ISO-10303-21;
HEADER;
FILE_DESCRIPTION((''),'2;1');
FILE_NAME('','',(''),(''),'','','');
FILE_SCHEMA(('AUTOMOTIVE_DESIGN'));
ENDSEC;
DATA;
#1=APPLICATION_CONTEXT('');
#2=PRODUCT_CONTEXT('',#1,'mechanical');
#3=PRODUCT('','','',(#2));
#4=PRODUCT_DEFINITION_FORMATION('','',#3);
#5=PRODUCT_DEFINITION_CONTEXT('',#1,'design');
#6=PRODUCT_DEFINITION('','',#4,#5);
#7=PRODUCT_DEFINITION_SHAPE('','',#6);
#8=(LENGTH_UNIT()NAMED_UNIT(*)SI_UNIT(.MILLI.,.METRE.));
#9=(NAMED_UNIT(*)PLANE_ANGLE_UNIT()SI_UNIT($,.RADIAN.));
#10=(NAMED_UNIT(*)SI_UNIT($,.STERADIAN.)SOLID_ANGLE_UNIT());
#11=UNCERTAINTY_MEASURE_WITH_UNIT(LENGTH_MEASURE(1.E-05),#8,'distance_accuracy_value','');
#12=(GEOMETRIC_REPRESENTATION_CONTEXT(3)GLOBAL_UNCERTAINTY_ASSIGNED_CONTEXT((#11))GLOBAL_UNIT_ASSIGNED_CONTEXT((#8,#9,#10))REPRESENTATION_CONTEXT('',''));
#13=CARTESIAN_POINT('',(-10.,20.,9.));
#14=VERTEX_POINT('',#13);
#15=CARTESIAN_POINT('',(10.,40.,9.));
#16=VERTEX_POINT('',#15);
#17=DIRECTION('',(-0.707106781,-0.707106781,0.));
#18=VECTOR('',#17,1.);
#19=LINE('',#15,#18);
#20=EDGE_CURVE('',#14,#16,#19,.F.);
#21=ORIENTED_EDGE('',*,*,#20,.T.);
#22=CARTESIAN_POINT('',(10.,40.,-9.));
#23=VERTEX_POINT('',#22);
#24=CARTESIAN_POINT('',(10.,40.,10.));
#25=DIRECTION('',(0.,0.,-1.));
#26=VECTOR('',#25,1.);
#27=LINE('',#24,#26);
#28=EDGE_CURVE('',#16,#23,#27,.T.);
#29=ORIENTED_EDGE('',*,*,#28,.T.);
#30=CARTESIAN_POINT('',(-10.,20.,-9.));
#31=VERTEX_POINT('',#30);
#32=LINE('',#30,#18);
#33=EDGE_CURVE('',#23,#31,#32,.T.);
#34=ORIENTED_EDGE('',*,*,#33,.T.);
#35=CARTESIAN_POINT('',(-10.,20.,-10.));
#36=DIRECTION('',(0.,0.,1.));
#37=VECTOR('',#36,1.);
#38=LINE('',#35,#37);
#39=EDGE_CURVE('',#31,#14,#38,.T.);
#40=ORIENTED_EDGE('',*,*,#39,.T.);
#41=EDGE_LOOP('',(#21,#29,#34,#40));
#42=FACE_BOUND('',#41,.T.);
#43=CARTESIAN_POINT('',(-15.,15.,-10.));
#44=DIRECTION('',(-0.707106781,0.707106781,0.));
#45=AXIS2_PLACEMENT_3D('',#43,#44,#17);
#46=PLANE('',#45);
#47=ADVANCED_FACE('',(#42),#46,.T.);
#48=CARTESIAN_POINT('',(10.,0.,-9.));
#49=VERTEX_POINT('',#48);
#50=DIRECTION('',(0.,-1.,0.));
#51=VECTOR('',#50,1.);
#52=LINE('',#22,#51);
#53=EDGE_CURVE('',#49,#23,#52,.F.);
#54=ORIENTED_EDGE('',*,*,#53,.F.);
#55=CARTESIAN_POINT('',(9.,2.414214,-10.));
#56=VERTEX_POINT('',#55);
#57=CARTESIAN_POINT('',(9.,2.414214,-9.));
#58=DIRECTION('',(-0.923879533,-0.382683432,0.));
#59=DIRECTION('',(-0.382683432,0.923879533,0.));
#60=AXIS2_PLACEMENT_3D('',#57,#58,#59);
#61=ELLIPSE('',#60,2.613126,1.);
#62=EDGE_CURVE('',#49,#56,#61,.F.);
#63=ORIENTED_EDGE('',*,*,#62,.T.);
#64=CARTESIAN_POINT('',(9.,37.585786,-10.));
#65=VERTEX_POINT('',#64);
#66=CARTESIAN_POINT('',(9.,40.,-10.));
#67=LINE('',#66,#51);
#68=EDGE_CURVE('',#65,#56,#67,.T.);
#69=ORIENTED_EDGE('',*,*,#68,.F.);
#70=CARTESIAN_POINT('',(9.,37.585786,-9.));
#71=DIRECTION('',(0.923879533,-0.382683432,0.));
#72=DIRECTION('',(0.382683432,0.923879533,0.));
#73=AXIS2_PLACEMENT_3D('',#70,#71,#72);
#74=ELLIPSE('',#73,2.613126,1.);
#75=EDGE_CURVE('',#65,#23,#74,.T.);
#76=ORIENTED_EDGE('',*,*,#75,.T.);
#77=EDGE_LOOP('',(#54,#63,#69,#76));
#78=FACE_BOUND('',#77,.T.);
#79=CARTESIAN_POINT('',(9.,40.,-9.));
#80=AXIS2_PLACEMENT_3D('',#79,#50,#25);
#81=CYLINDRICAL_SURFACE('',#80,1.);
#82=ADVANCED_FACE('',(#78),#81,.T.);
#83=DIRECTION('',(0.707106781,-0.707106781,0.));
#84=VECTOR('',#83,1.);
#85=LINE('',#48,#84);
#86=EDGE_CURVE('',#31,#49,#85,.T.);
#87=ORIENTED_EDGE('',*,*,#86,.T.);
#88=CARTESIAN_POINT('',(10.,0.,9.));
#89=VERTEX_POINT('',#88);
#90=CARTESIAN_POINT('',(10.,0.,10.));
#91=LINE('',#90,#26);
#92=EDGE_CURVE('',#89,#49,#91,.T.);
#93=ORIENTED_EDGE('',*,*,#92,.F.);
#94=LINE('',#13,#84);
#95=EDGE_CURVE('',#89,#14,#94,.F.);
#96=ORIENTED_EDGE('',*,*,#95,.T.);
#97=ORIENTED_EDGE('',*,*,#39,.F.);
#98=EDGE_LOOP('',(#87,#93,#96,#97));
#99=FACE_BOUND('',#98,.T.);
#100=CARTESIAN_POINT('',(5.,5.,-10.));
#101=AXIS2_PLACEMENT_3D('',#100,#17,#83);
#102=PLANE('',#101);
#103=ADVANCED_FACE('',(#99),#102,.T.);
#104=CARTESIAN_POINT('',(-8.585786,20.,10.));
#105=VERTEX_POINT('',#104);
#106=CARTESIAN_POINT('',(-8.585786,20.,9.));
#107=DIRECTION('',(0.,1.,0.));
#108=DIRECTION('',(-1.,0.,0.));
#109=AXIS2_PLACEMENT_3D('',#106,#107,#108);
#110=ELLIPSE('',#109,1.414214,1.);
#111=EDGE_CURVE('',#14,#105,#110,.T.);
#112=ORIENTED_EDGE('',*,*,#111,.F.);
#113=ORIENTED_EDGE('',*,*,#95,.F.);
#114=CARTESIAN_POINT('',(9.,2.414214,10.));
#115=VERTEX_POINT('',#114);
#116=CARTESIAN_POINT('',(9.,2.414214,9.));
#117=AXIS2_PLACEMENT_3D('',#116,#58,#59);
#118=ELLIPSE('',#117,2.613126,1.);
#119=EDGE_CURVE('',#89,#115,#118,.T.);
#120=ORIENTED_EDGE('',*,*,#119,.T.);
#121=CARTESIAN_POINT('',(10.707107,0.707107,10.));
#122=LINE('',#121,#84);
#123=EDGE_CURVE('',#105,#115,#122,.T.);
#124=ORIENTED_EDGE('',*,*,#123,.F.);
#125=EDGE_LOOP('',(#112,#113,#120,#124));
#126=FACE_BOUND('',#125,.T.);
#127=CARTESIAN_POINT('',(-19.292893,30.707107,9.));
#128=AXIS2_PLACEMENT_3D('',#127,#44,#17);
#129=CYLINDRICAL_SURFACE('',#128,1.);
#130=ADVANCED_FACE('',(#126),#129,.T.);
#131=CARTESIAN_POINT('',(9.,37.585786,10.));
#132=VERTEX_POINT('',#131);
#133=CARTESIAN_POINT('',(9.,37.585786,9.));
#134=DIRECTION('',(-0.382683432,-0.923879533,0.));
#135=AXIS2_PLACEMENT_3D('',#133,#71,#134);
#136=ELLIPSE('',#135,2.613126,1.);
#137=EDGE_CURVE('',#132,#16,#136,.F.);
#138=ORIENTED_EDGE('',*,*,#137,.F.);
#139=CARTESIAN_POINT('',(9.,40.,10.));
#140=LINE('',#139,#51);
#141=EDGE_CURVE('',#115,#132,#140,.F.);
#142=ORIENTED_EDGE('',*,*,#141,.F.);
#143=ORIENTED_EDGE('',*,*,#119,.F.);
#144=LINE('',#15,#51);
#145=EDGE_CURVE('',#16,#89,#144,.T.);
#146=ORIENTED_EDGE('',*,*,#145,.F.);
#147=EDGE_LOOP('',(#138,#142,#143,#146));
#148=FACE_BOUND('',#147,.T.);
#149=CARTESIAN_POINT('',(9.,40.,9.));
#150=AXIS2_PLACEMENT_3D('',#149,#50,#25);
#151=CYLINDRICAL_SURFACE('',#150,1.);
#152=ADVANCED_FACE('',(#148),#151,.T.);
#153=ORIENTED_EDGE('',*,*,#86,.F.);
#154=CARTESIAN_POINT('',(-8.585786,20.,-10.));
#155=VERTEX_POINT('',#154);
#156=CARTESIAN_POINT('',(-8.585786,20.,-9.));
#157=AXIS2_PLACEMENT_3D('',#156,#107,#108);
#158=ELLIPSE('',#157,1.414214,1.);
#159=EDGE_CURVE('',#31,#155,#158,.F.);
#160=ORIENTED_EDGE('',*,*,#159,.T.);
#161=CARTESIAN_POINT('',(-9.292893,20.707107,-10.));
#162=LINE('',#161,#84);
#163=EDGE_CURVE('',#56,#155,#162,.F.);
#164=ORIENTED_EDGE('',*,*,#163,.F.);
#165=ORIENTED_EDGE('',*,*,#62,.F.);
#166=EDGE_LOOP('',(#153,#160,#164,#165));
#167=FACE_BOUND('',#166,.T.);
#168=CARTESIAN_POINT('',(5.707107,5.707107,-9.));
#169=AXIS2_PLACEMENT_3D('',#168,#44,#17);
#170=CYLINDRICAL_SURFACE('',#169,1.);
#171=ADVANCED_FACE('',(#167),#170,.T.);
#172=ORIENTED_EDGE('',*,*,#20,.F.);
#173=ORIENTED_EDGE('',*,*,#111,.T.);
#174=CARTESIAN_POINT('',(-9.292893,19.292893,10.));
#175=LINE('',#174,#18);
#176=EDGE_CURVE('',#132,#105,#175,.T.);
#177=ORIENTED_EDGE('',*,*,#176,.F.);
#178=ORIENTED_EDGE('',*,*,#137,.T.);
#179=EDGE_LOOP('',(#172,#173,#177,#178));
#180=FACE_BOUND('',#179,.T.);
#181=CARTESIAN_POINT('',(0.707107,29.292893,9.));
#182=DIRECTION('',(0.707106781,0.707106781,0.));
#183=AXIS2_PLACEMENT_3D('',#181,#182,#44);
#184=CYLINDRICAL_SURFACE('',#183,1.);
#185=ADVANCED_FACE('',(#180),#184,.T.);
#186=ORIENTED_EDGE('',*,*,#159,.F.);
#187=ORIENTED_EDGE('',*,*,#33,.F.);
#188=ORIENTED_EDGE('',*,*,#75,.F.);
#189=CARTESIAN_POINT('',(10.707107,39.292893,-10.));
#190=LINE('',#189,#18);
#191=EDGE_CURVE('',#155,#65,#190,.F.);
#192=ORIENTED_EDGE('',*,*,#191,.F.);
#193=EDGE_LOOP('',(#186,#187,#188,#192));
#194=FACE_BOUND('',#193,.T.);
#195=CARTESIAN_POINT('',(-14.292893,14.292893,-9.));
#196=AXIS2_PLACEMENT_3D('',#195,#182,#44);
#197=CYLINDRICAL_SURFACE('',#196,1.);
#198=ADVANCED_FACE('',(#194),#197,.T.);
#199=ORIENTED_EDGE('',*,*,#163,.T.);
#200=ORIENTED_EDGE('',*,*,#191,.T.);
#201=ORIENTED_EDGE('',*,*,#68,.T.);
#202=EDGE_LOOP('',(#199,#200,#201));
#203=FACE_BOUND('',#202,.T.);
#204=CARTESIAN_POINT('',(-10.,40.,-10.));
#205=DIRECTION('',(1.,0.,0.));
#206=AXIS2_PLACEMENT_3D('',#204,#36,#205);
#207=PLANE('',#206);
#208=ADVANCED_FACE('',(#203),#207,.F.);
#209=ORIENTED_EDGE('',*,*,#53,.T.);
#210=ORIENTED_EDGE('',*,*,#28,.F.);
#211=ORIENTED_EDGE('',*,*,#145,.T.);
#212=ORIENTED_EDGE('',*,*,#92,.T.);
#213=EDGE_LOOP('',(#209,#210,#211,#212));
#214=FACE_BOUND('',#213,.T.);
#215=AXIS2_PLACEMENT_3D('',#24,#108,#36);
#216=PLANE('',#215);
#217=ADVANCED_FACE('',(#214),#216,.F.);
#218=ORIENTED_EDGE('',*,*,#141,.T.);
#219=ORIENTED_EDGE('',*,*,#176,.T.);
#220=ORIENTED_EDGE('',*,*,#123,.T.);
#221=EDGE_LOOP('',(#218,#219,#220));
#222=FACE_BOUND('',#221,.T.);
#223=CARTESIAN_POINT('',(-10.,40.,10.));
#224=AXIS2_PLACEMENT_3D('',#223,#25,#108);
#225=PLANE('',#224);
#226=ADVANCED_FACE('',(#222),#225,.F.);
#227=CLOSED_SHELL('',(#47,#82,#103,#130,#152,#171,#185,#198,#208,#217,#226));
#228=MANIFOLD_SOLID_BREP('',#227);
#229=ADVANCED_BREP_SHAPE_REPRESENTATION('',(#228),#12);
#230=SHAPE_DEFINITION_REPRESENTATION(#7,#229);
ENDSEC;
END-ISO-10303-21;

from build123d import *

# Parameters (mm, degrees)
SKETCH1_W           = 20
SKETCH1_H           = 20
BOSS_EXTRUDE1_DEPTH = 40
CUT_EXTRUDE1_DEPTH  = 46.82575695
FILLET1_R           = 1


with BuildPart() as part:
    # Sketch1 → Boss-Extrude1 (new body)
    with BuildSketch(Plane(origin=(0, 0, 0), x_dir=(1, 0, 0), z_dir=(0, 1, 0))):
        Rectangle(SKETCH1_W, SKETCH1_H)
    extrude(amount=BOSS_EXTRUDE1_DEPTH)

    # Sketch2 → Cut-Extrude1 (cut, through all)
    with BuildSketch(Plane.XY.offset(10)):
        Polygon((-10, 20), (10, 40), (-10, 40), align=None)
        Polygon((10, 0), (-10, 20), (-10, 0), align=None)
    extrude(amount=-CUT_EXTRUDE1_DEPTH, mode=Mode.SUBTRACT)

    # Fillet1
    fillet1_edges = [part.edges().sort_by_distance(p)[0] for p in [
        (0, 30, 10),
        (0, 30, -10),
        (0, 10, 10),
        (0, 10, -10),
        (10, 20, 10),
        (10, 20, -10),
    ]]
    fillet(fillet1_edges, radius=FILLET1_R)


solid = part.part
